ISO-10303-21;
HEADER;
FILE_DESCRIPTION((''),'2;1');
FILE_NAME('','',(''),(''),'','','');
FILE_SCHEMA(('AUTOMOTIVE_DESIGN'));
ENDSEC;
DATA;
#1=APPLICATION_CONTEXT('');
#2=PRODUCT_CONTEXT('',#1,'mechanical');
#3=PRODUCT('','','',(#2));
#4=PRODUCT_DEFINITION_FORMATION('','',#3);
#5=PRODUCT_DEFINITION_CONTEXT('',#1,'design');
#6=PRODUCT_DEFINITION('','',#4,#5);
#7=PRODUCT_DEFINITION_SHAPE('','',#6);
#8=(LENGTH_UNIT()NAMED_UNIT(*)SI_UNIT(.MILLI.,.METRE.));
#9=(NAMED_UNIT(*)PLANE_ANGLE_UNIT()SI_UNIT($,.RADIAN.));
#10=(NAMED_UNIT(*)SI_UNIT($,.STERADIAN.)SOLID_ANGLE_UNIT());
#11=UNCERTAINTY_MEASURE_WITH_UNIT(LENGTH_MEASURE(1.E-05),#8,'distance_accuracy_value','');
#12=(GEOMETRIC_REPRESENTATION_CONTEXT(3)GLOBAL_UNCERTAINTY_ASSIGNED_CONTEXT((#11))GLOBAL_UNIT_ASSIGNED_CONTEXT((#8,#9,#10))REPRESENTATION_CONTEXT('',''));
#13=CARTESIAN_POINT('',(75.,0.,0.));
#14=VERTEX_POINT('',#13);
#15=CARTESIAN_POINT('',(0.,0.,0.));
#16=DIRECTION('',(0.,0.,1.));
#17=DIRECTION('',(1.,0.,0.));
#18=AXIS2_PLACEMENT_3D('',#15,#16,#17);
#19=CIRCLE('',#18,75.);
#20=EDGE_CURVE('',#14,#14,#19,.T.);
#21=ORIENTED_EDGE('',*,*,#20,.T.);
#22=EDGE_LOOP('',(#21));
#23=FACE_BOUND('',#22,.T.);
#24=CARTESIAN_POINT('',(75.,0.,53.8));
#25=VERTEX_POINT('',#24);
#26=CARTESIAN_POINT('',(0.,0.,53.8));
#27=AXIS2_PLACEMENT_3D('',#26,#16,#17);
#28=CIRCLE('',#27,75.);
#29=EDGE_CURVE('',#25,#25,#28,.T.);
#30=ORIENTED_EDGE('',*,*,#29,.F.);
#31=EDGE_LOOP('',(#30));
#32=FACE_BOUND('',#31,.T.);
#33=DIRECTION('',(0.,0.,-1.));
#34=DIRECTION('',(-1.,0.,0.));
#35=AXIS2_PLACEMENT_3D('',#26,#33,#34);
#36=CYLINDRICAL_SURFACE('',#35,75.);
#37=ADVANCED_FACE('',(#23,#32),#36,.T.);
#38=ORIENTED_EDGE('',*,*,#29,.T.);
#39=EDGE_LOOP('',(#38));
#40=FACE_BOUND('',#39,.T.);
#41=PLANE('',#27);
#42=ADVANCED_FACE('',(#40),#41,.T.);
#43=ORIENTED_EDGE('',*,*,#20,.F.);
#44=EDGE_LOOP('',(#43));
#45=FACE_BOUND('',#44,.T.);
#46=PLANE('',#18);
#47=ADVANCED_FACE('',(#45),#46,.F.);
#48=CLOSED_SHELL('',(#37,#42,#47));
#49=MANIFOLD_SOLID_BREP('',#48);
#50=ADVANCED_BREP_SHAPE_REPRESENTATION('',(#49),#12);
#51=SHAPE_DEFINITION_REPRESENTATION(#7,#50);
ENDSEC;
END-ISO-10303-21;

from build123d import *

# Parameters (mm, degrees)
SKETCH1_R           = 75
BOSS_EXTRUDE1_DEPTH = 53.8


with BuildPart() as part:
    # Sketch1 → Boss-Extrude1 (new body)
    with BuildSketch(Plane.XY):
        Circle(SKETCH1_R)
    extrude(amount=BOSS_EXTRUDE1_DEPTH)


solid = part.part
